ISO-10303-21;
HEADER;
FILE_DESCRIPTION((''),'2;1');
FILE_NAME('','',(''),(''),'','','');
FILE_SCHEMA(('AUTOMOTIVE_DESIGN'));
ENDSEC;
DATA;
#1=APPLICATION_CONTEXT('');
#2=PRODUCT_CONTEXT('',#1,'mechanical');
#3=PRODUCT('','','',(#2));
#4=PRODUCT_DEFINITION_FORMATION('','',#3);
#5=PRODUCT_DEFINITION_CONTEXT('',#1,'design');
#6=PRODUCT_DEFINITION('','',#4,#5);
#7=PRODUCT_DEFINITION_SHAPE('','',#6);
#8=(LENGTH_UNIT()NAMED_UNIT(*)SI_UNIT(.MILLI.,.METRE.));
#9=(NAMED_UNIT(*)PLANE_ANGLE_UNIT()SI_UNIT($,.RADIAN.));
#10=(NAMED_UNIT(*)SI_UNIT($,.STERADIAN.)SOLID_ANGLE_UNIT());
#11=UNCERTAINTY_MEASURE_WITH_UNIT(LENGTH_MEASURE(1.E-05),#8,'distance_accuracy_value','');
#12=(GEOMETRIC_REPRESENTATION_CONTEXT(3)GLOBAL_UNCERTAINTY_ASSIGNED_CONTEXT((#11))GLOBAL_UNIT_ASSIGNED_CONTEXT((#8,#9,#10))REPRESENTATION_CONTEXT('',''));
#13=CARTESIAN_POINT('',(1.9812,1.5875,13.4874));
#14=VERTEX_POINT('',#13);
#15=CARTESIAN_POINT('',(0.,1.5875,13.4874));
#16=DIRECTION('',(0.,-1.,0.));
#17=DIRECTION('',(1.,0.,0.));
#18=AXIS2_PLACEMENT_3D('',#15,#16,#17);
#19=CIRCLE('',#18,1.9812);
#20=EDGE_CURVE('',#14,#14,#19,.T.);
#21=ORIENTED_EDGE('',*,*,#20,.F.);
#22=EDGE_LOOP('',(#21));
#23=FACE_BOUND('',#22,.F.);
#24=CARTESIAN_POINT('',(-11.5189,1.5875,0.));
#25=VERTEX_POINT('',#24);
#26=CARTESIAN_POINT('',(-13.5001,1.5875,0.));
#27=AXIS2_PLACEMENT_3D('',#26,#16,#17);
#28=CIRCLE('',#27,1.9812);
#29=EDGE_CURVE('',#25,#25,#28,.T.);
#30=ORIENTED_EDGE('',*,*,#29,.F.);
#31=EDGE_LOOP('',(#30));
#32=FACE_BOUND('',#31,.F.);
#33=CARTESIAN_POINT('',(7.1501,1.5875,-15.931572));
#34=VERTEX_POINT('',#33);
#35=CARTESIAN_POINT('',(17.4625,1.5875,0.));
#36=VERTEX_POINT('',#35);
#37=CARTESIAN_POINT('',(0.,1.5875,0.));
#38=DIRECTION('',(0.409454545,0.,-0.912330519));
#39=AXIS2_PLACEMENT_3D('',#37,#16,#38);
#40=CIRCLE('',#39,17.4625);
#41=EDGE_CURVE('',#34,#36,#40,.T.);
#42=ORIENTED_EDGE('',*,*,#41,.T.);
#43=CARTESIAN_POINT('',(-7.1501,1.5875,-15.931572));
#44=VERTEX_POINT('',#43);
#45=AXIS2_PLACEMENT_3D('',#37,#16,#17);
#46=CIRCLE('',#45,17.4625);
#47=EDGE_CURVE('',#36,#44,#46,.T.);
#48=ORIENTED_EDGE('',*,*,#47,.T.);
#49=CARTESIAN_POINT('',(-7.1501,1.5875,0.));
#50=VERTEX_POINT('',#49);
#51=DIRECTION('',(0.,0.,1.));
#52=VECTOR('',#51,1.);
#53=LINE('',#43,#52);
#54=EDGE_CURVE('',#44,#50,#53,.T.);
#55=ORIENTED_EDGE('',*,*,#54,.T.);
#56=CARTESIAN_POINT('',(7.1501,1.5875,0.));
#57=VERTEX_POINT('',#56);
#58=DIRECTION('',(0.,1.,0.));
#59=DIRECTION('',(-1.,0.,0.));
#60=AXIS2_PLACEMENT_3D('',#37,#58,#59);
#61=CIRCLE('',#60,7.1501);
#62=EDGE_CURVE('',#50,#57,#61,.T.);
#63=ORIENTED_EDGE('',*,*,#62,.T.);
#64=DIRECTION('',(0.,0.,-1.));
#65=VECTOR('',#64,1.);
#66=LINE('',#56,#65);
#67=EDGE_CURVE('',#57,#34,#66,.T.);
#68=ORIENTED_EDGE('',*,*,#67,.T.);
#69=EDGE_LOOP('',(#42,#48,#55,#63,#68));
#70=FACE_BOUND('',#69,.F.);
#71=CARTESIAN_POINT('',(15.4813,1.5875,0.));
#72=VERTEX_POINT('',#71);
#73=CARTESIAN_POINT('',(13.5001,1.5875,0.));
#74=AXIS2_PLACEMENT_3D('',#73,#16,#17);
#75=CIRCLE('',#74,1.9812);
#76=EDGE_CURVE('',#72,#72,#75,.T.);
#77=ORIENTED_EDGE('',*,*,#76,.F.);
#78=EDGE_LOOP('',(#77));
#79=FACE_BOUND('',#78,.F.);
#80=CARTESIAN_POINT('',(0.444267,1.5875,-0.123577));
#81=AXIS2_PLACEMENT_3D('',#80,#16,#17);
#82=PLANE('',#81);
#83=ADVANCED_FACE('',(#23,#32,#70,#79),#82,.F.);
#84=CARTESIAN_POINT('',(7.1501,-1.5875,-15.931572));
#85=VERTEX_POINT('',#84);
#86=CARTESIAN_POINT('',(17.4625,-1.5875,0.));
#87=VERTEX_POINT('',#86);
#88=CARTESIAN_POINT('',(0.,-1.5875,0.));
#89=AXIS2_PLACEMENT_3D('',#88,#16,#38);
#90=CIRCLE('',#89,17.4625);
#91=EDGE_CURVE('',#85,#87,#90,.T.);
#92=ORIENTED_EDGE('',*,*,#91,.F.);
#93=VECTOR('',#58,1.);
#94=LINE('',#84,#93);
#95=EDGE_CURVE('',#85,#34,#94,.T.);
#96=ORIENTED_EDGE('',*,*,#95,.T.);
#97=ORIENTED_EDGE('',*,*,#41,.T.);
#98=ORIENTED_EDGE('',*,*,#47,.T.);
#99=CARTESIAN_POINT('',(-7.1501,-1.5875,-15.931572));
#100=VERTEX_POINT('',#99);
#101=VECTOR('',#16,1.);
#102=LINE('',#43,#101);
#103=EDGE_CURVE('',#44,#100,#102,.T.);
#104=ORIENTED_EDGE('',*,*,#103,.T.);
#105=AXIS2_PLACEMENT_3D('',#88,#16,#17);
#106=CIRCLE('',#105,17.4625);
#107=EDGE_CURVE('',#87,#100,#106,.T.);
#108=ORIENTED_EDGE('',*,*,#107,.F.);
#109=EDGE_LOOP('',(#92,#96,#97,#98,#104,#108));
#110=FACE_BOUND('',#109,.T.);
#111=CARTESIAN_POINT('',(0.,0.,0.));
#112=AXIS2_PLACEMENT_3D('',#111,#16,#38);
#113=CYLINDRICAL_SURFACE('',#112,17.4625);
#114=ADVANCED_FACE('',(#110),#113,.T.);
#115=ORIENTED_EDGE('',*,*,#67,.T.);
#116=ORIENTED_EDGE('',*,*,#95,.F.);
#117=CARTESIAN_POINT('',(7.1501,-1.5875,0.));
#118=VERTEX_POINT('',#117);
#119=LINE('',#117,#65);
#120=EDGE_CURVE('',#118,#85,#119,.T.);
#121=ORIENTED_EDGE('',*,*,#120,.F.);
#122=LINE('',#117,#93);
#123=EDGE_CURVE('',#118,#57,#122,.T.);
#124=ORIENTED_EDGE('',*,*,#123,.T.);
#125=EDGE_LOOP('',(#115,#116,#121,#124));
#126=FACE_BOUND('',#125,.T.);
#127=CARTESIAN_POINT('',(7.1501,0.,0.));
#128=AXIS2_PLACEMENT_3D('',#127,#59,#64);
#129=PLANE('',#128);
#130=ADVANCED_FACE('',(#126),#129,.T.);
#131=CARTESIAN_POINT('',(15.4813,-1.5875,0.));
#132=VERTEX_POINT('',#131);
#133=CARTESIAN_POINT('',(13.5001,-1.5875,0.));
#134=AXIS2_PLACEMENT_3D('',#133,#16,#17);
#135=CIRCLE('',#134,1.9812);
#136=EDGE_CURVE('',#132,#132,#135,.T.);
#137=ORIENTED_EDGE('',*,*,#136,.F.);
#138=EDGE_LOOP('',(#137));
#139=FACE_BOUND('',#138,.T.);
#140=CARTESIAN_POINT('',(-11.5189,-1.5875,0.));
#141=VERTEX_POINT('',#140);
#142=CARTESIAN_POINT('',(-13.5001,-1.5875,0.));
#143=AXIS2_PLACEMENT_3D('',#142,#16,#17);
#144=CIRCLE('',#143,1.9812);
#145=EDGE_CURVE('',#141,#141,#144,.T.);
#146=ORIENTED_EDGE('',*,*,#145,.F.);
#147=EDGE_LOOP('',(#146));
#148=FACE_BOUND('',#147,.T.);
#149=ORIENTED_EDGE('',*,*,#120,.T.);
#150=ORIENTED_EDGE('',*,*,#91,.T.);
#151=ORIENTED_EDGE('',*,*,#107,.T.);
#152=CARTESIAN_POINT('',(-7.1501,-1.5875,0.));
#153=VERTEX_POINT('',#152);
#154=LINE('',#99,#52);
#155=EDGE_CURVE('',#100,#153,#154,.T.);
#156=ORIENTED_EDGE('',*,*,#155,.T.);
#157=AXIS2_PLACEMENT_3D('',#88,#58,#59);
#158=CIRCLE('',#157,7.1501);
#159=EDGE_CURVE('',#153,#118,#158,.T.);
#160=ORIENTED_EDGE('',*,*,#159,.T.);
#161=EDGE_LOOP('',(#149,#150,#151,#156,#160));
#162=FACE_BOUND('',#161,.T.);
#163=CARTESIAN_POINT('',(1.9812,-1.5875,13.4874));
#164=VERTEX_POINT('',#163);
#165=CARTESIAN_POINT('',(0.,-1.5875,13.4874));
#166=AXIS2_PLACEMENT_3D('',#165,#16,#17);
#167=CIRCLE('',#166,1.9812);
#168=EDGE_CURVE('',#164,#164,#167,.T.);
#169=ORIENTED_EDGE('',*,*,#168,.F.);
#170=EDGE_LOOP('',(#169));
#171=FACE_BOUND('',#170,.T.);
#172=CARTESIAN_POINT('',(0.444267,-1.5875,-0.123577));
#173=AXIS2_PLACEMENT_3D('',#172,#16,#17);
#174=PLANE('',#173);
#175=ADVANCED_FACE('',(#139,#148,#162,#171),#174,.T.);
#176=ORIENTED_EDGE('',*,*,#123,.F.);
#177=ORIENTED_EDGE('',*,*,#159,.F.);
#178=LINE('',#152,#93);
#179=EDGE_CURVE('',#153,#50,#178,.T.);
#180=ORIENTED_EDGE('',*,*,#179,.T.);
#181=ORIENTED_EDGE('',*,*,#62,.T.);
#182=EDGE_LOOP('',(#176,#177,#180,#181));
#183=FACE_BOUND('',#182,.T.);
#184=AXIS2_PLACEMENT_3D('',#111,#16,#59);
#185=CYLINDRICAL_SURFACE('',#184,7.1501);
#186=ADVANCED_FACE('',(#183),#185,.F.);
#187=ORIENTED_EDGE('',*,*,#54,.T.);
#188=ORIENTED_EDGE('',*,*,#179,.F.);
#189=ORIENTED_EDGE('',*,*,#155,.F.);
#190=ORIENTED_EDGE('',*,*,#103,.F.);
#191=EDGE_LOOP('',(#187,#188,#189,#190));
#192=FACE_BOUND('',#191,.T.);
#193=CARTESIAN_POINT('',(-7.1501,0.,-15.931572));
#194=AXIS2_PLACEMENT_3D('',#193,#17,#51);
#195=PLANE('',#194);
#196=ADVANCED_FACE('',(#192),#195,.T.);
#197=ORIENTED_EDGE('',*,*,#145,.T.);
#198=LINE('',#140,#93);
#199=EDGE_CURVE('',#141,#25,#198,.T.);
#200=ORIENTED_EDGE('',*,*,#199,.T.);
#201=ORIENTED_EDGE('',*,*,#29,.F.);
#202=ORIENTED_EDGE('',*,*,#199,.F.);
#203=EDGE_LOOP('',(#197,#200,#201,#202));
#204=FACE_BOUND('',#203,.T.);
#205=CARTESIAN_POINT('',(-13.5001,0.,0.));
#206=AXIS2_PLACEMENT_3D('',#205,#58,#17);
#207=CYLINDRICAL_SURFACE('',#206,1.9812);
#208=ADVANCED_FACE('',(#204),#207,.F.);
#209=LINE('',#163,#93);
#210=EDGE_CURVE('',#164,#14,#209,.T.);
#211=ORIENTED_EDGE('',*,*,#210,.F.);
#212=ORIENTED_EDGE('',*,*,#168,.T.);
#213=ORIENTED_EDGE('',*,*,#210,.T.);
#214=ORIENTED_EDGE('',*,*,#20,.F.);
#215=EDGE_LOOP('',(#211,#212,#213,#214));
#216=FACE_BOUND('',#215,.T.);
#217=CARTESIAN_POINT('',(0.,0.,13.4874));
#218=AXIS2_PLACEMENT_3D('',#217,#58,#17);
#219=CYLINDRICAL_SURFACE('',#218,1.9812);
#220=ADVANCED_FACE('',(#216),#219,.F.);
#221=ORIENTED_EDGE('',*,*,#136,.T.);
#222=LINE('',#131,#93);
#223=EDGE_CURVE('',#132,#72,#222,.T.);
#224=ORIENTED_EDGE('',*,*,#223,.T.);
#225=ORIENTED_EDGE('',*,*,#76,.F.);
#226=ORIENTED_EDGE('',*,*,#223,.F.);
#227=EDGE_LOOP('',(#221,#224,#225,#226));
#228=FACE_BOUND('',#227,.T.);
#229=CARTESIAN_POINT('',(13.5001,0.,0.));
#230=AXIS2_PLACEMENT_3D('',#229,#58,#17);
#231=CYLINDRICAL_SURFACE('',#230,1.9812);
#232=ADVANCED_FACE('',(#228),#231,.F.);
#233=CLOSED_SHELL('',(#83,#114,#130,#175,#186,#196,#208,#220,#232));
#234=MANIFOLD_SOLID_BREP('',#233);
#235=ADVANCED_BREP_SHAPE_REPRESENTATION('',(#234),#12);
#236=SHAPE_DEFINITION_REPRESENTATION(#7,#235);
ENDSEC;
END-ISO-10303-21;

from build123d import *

# Parameters (mm, degrees)
F0_R     = 1.9812
F1_DEPTH = 1.5875


with BuildPart() as f1:
    # F0 (on Front) → F1 (new body, symmetric)
    with BuildSketch(Plane.XZ):
        with BuildLine():
            ThreePointArc((7.1501, -15.9315716814), (14.6594257647, -9.4889484402), (17.4625, 0))
            ThreePointArc((17.4625, 0), (-9.4889484402, 14.6594257647), (-7.1501, -15.9315716814))
            Line((-7.1501, -15.9315716814), (-7.1501, 0))
            ThreePointArc((-7.1501, 0), (0, 7.1501), (7.1501, 0))
            Line((7.1501, 0), (7.1501, -15.9315716814))
        make_face()
        with Locations((-13.5001, 0)):
            Circle(F0_R, mode=Mode.SUBTRACT)
        with Locations((13.5001, 0)):
            Circle(F0_R, mode=Mode.SUBTRACT)
        with Locations((0, 13.4874)):
            Circle(F0_R, mode=Mode.SUBTRACT)
    extrude(amount=F1_DEPTH, both=True)


solid = f1.part
